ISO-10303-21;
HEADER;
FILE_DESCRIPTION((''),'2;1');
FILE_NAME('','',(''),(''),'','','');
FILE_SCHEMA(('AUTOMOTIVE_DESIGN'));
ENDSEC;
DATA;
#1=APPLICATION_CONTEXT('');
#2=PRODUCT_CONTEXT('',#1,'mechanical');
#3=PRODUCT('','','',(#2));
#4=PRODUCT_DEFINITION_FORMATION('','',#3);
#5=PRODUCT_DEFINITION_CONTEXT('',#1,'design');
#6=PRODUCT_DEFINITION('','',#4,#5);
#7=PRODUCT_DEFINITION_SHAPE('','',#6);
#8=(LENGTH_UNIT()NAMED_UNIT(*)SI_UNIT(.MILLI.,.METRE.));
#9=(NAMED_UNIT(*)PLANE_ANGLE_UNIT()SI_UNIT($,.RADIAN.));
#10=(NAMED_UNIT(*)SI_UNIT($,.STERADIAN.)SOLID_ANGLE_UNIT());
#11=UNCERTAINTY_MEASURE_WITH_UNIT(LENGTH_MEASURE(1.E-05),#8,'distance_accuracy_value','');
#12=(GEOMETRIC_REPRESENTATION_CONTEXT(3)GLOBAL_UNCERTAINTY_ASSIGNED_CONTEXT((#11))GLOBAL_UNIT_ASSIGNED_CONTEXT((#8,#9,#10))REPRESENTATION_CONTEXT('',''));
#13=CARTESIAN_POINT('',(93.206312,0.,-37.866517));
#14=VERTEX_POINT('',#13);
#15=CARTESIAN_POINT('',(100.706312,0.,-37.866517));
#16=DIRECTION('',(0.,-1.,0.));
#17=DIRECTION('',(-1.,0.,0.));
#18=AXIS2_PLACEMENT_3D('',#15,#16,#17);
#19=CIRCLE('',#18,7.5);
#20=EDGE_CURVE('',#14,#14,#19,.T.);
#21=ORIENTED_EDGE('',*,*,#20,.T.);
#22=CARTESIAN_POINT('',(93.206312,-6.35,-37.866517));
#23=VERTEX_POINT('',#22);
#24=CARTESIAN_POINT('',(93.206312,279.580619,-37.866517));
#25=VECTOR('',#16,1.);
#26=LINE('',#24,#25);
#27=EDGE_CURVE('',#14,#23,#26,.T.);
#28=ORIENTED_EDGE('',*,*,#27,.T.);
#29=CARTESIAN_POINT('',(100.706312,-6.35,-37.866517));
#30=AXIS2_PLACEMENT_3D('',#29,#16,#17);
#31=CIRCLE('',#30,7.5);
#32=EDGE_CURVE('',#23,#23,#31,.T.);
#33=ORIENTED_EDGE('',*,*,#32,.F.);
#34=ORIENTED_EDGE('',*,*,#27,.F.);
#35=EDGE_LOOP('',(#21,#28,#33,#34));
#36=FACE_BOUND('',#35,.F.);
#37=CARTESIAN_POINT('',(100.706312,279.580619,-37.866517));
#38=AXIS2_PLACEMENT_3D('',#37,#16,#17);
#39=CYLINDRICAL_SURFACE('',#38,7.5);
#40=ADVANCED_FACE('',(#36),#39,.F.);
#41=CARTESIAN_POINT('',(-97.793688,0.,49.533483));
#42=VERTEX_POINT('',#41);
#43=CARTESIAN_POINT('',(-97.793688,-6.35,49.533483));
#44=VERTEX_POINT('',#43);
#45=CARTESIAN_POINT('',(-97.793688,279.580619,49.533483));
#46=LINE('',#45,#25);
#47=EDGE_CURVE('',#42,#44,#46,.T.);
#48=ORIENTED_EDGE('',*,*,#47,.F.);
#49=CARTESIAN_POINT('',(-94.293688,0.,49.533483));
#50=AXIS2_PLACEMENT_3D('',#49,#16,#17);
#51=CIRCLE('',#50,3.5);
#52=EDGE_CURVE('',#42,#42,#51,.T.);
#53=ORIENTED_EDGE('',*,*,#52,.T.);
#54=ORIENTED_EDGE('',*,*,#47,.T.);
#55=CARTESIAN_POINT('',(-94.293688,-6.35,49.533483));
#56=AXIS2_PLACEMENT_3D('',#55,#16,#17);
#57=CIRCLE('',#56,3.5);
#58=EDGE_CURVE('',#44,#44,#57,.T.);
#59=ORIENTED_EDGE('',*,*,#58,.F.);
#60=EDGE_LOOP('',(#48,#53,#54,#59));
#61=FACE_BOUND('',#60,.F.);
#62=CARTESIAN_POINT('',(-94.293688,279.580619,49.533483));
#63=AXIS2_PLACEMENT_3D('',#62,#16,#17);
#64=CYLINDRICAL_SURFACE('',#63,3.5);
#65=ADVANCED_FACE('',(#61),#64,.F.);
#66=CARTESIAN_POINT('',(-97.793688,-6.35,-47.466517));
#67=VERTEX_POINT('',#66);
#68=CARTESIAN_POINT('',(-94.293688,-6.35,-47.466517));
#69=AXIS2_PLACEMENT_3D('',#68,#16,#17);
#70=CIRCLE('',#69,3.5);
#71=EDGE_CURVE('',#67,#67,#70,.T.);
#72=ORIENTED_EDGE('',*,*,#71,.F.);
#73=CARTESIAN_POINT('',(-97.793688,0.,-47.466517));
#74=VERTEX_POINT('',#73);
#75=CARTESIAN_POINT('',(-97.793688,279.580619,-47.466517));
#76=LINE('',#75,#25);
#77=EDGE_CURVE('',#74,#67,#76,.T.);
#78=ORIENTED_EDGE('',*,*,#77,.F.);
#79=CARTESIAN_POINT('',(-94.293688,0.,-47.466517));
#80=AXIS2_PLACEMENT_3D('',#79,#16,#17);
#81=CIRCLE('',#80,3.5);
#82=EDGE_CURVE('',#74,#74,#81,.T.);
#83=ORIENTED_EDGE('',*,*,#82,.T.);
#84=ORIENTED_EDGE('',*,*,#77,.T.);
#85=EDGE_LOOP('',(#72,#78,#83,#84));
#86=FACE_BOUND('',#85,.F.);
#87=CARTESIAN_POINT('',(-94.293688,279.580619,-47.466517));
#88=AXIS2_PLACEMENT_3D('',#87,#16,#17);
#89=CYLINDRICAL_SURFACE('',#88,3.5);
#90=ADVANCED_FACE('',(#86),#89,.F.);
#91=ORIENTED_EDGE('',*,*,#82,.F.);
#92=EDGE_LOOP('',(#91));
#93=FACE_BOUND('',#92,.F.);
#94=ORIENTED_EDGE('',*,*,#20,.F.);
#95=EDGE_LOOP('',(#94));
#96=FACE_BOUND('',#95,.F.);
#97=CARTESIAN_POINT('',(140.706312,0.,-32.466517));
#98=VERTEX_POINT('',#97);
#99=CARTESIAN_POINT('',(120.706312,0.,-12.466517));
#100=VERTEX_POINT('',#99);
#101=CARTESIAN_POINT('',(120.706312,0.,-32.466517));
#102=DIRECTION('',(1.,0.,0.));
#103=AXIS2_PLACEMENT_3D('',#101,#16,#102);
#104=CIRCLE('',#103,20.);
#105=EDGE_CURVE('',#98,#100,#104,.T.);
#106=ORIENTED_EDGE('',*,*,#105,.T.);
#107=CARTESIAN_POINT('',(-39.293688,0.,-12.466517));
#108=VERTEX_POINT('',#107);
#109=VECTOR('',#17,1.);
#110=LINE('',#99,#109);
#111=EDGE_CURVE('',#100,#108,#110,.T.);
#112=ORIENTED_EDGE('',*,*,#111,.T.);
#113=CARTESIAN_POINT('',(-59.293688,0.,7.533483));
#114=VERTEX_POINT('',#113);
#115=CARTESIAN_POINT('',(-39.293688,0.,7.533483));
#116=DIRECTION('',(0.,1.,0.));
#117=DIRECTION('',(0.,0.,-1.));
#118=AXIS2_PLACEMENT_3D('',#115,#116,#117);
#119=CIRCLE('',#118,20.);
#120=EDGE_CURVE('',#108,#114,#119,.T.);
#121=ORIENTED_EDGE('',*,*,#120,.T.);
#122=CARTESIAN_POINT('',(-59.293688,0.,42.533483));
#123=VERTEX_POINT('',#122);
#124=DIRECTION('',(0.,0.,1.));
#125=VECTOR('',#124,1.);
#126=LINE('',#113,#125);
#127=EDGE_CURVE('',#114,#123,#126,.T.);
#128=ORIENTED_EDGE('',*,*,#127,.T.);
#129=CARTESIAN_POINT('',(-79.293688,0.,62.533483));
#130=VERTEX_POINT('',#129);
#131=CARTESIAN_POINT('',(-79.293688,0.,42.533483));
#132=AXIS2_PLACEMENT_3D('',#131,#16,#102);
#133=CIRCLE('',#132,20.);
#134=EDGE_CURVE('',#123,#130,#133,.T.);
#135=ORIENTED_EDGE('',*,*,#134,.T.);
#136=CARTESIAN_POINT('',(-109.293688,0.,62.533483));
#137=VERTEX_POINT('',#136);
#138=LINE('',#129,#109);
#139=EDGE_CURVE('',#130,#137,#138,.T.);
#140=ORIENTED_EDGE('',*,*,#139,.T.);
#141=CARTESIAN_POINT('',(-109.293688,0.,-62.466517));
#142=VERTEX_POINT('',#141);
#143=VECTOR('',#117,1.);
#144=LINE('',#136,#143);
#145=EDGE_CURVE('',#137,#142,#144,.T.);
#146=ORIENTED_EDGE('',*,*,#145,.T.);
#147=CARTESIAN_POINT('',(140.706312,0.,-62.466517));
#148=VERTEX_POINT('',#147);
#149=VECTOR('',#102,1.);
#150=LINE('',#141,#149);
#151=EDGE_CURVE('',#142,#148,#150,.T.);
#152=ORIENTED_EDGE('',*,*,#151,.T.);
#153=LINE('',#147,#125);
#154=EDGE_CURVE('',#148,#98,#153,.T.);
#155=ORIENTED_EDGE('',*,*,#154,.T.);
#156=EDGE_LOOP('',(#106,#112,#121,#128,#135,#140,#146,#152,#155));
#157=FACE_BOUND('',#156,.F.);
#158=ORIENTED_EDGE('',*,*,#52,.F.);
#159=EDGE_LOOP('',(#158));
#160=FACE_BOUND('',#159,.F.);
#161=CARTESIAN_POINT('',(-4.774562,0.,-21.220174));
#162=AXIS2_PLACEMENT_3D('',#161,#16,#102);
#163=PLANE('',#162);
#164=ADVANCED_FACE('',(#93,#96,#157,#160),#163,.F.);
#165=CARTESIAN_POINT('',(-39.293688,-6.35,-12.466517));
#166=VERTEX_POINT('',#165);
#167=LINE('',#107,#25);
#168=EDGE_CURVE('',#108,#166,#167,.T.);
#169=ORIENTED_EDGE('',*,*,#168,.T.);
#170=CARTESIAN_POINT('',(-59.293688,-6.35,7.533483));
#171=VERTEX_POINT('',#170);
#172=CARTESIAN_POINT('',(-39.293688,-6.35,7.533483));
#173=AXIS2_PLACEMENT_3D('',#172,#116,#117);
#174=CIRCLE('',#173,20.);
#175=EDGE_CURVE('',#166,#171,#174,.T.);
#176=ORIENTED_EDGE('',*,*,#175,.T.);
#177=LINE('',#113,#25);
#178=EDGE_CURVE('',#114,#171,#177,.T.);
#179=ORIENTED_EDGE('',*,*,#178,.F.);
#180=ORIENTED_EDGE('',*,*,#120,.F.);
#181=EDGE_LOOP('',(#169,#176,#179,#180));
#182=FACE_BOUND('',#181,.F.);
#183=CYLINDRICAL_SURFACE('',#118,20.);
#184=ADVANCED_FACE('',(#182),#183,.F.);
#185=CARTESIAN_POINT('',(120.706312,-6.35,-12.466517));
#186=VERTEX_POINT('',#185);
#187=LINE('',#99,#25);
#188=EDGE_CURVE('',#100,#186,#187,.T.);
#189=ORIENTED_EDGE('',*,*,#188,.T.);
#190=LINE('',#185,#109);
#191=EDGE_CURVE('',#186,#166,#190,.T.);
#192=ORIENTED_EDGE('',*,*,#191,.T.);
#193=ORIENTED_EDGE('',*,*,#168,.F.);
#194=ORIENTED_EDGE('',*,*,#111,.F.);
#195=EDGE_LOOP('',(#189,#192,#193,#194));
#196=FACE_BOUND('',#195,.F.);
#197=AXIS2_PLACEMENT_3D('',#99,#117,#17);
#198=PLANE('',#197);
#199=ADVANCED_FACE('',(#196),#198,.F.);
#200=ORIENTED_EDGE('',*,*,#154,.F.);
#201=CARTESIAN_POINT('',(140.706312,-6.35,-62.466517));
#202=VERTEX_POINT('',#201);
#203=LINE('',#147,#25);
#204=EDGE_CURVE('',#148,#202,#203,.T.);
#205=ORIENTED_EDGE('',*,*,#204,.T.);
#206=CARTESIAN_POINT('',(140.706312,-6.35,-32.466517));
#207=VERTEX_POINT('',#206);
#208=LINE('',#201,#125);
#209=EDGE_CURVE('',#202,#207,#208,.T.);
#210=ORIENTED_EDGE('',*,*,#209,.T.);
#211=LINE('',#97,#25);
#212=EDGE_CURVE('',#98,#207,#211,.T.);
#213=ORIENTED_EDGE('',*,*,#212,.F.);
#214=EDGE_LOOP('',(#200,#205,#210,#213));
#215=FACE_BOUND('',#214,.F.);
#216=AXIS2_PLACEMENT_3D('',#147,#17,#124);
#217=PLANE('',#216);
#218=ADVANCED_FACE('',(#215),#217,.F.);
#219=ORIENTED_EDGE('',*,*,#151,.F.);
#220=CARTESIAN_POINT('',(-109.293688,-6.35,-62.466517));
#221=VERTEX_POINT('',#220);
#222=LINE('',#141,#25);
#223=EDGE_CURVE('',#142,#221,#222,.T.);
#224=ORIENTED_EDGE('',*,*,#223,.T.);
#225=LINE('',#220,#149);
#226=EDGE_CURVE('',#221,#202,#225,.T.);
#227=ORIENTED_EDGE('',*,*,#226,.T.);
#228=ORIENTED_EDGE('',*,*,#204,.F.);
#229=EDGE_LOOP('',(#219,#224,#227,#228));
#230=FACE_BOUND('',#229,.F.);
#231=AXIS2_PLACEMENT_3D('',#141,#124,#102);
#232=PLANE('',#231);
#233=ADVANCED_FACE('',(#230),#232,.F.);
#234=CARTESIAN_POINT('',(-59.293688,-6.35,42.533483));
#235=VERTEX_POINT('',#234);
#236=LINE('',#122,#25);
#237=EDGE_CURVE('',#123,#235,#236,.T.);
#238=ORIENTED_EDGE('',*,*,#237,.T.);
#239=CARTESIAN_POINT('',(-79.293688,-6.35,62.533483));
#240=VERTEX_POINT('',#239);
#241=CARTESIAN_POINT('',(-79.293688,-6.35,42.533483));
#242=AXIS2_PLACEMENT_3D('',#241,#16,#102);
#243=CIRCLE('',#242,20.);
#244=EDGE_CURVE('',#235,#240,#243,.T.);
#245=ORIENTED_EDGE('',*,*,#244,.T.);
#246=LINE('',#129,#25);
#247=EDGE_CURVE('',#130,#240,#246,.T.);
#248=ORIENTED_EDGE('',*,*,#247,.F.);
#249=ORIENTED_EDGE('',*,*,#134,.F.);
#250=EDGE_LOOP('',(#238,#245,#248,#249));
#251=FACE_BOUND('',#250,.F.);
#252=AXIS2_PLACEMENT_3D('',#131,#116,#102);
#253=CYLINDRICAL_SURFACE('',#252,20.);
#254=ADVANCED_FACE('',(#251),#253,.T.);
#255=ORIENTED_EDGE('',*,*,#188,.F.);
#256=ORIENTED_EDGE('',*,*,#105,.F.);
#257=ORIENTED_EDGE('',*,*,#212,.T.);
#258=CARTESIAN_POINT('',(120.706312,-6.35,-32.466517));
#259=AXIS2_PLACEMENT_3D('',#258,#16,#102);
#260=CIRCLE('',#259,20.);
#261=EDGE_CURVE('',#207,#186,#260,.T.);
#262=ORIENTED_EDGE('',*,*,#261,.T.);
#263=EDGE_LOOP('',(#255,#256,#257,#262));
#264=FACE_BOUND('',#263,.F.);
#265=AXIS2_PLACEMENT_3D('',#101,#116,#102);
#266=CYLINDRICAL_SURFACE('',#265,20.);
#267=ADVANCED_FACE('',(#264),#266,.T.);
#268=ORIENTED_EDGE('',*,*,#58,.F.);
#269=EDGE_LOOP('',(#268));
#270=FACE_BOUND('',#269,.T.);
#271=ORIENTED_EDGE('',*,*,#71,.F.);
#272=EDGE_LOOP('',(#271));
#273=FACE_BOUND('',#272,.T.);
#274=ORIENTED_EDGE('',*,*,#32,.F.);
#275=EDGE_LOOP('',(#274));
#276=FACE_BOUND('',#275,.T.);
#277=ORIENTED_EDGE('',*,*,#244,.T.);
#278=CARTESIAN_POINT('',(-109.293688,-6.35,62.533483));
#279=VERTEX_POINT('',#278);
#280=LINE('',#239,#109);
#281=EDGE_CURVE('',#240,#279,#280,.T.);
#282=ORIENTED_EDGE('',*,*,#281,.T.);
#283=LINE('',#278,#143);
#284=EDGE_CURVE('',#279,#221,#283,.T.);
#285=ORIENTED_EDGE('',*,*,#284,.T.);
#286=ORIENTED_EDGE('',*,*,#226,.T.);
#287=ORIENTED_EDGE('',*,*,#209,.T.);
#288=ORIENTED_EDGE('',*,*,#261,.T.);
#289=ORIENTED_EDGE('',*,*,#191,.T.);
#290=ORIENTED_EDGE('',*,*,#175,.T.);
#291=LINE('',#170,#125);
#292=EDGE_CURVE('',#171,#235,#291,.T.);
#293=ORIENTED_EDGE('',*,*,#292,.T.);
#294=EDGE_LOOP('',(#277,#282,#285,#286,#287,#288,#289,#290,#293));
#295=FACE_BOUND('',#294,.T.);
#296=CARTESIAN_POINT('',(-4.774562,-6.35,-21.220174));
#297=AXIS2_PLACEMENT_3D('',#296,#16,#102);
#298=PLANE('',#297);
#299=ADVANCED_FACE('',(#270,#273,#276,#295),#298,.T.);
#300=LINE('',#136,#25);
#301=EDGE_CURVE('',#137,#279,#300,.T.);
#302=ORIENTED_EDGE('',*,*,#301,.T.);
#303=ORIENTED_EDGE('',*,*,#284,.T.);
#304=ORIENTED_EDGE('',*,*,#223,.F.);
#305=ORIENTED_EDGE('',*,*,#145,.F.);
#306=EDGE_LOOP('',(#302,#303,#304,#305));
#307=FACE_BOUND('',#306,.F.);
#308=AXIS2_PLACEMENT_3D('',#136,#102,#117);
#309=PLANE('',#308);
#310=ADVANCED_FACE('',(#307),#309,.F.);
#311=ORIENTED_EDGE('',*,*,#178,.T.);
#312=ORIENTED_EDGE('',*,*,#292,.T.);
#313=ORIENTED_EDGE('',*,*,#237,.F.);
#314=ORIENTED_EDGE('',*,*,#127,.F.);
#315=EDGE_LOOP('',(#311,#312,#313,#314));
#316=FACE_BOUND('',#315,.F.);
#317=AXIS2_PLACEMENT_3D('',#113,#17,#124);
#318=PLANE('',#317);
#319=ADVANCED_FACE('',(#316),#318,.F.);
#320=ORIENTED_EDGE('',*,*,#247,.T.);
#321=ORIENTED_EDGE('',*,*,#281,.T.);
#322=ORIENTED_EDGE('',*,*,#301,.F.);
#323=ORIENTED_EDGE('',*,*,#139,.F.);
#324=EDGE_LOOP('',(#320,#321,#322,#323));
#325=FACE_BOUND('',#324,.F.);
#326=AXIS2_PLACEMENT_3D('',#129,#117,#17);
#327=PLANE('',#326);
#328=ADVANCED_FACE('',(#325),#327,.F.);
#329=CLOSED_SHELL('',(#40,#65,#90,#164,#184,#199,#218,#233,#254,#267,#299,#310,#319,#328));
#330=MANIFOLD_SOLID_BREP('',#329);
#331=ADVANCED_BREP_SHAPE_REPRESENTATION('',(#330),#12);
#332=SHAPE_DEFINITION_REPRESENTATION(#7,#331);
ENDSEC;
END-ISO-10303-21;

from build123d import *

# Parameters (mm, degrees)
F1_DEPTH = 6.35
F3_D     = 7
F4_D     = 15


with BuildPart() as f1:
    # F0 (on Front) → F1 (new body)
    with BuildSketch(Plane.XZ):
        with BuildLine():
            Line((-79.2936884003, 62.5334825695), (-109.2936884003, 62.5334825695))
            Line((-109.2936884003, 62.5334825695), (-109.2936884003, -62.4665174305))
            Line((-109.2936884003, -62.4665174305), (140.7063115997, -62.4665174305))
            Line((140.7063115997, -62.4665174305), (140.7063115997, -32.4665174305))
            ThreePointArc((140.7063115997, -32.4665174305), (134.8484472234, -18.3243818068), (120.7063115997, -12.4665174305))
            Line((120.7063115997, -12.4665174305), (-39.2936884003, -12.4665174305))
            ThreePointArc((-39.2936884003, -12.4665174305), (-53.435824024, -6.6086530543), (-59.2936884003, 7.5334825695))
            Line((-59.2936884003, 7.5334825695), (-59.2936884003, 42.5334825695))
            ThreePointArc((-59.2936884003, 42.5334825695), (-65.1515527766, 56.6756181932), (-79.2936884003, 62.5334825695))
        make_face()
    extrude(amount=F1_DEPTH)

    # F3 (through all)
    with Locations(Plane(origin=(0, 0, 0), x_dir=(1, 0, 0), z_dir=(0, 1, 0))):
        with Locations((-94.2936884003, -49.5334825695), (-94.2936884003, 47.4665174305)):
            Hole(F3_D / 2)

    # F4 (through all)
    with Locations(Plane(origin=(0, 0, 0), x_dir=(1, 0, 0), z_dir=(0, 1, 0))):
        with Locations((100.7063115997, 37.8665174305)):
            Hole(F4_D / 2)


solid = f1.part
